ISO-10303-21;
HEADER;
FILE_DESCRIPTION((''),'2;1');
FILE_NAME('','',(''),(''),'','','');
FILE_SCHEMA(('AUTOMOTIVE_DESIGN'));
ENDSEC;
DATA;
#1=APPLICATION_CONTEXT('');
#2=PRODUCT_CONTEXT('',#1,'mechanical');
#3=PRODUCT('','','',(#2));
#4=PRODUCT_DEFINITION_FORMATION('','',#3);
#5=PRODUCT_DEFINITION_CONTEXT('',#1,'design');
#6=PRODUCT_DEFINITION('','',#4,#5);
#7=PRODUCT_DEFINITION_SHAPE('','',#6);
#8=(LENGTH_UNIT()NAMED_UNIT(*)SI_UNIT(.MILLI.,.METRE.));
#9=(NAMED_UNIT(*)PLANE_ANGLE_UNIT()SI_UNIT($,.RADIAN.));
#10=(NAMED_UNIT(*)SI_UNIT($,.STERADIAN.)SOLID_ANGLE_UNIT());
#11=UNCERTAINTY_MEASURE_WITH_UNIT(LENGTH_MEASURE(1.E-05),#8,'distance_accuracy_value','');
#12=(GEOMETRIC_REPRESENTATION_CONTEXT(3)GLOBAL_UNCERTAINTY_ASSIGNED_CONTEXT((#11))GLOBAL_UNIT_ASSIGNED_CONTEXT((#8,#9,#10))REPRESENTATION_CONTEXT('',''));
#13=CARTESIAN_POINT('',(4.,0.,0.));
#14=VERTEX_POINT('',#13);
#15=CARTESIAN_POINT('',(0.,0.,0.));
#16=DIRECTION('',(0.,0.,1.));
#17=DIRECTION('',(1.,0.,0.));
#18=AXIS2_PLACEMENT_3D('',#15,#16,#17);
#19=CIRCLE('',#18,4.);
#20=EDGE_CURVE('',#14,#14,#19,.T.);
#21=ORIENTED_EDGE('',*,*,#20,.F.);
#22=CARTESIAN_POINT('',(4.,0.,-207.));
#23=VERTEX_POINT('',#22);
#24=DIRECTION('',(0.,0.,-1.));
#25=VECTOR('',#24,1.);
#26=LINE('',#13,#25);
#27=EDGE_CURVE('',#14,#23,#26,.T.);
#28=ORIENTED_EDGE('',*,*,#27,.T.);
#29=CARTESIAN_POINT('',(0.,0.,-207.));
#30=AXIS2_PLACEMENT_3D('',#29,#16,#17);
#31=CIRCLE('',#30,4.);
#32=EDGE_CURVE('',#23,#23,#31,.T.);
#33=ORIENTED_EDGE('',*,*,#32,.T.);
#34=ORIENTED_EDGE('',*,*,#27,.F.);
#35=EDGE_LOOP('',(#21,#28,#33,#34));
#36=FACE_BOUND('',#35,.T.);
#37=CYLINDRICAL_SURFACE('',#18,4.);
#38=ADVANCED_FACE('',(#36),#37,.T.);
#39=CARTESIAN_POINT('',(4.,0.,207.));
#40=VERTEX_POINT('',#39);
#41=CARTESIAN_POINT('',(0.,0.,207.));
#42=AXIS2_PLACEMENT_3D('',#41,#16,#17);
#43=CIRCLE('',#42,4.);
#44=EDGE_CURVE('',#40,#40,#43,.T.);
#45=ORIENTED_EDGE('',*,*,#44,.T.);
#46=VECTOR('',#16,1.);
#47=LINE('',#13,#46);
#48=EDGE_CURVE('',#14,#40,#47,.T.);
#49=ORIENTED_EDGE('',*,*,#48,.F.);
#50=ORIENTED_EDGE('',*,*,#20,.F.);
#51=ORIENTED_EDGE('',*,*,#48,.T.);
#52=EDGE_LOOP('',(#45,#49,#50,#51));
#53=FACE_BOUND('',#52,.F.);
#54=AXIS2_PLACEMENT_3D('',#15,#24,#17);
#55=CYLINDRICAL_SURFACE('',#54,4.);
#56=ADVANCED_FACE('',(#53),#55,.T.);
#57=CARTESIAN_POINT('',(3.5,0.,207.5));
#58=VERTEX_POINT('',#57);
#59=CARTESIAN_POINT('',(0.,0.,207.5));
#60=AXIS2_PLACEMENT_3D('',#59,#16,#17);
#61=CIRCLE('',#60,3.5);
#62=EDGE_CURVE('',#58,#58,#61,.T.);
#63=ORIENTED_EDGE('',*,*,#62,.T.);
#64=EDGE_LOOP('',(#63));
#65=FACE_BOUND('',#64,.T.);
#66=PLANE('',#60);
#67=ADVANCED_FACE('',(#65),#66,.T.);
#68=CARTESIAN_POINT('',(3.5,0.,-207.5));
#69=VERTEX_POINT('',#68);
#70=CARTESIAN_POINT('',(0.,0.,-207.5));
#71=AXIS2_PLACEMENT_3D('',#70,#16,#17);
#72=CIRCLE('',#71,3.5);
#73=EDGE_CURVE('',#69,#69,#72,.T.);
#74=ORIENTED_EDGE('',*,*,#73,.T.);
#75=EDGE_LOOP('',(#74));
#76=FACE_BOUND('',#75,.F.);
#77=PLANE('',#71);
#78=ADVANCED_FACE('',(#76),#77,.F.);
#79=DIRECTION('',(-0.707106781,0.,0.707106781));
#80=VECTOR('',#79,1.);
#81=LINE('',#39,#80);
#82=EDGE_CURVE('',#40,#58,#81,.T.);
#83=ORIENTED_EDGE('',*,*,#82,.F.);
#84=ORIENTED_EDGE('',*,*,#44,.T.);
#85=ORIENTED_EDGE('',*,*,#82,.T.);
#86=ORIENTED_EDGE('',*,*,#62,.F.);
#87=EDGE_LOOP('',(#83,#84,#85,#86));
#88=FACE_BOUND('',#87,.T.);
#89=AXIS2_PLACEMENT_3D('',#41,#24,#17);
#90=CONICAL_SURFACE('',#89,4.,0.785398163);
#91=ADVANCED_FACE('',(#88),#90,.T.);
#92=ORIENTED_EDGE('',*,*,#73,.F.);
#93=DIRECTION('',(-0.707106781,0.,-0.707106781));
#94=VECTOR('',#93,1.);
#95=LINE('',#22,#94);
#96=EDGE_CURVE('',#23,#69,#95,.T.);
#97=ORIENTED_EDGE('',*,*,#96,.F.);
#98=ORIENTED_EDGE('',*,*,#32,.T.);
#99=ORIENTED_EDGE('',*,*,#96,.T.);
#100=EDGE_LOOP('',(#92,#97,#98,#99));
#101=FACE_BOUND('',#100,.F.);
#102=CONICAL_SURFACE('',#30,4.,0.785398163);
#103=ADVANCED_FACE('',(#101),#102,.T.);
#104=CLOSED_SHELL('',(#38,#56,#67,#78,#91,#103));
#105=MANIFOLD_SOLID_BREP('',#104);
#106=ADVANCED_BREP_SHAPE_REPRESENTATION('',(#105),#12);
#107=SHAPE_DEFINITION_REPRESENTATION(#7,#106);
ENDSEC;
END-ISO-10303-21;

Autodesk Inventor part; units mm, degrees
ref_plane "YZ Plane" through (0, 0, 0) normal (1, 0, 0) x (0, 1, 0)
ref_plane "XZ Plane" through (0, 0, 0) normal (0, 1, 0) x (-1, 0, 0)
ref_plane "XY Plane" through (0, 0, 0) normal (0, 0, 1) x (1, 0, 0)
sketch "Sketch1" plane through (0, 0, 0) normal (0, 0, 1) x (1, 0, 0)
  circle A0 centre (0, 0) radius 4
  dimension "d0" = 8
extrude "Extrusion1" add sketch "Sketch1" along normal mid plane 415
chamfer "Chamfer1" distance 0.5 angle 45 2 edges at (-4, 0, 207.5) (-4, 0, -207.5)
properties part number "Y-axis Power Transfer Shaft 415mm" material "Aluminum 6061"
